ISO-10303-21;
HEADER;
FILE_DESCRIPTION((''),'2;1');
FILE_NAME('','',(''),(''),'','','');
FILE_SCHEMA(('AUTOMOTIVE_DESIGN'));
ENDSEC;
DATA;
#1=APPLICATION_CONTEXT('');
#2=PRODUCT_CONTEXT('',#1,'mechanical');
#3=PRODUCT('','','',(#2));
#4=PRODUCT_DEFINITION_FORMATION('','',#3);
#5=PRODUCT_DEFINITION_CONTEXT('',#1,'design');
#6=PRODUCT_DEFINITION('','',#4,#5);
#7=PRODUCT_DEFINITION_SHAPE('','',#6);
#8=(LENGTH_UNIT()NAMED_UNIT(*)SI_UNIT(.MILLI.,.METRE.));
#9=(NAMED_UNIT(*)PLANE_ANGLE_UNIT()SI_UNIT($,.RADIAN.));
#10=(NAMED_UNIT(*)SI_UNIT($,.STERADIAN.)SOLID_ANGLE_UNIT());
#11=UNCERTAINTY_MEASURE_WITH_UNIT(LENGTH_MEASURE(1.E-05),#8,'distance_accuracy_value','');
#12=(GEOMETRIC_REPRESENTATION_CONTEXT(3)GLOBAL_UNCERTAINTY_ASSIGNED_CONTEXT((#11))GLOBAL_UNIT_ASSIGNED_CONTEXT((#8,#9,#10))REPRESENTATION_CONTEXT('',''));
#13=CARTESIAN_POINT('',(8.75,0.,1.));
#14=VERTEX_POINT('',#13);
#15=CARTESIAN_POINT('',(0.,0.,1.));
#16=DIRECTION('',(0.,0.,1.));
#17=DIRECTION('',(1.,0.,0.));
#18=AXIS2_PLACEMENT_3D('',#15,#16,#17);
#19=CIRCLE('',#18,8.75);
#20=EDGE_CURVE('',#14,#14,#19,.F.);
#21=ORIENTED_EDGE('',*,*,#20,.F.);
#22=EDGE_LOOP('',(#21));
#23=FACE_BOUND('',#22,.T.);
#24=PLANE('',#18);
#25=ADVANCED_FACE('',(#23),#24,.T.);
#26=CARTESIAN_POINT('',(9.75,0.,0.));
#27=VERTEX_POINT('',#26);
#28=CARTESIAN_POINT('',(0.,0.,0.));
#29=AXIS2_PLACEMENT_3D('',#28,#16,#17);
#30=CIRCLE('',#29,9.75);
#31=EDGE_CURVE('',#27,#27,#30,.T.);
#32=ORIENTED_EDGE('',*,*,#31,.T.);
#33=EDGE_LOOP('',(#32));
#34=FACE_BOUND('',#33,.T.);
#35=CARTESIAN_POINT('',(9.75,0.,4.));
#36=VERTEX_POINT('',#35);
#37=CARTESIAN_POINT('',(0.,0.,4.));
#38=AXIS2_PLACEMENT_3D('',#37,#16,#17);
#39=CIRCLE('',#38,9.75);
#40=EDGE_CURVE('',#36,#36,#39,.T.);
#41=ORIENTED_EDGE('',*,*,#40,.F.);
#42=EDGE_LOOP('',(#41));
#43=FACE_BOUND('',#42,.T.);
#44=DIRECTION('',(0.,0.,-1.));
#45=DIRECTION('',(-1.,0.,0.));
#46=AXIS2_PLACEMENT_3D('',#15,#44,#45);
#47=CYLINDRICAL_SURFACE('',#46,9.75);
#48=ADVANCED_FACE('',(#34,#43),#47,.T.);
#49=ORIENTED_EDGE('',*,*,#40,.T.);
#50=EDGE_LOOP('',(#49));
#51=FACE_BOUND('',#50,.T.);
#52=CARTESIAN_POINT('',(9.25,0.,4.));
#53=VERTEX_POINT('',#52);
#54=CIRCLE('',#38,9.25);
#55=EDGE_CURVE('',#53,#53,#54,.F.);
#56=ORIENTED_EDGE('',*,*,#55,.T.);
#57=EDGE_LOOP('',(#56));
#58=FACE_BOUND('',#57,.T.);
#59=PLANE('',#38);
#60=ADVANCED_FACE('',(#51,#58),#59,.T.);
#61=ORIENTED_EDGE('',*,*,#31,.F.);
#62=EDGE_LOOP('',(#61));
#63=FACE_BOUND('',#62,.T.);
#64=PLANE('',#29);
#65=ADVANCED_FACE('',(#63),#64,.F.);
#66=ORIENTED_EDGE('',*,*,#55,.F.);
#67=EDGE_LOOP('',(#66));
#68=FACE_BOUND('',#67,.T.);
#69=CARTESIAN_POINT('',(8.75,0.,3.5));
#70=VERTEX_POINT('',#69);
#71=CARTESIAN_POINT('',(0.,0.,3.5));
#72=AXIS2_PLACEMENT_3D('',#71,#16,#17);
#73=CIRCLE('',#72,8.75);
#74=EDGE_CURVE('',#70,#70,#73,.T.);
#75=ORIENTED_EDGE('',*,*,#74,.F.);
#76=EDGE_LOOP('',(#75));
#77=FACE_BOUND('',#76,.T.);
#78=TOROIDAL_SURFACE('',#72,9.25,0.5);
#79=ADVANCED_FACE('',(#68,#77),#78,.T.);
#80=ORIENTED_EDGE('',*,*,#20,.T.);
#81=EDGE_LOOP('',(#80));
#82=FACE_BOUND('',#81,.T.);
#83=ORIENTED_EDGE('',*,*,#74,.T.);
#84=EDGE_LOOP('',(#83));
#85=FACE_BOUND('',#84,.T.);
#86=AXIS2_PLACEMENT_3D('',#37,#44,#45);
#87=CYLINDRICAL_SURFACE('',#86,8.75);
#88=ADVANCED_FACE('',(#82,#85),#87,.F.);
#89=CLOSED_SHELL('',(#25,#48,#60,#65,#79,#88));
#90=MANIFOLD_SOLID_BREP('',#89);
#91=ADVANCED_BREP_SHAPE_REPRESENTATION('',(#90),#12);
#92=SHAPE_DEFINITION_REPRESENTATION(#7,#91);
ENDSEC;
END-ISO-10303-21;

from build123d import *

# Parameters (mm, degrees)
SKETCH1_R           = 9.75
BOSS_EXTRUDE1_DEPTH = 1
SKETCH2_R           = 9.75
SKETCH2_R_2         = 8.75
BOSS_EXTRUDE2_DEPTH = 3
FILLET1_R           = 0.5


with BuildPart() as part:
    # Sketch1 → Boss-Extrude1 (new body)
    with BuildSketch(Plane.XY):
        Circle(SKETCH1_R)
    extrude(amount=BOSS_EXTRUDE1_DEPTH)

    # Sketch2 → Boss-Extrude2 (add)
    with BuildSketch(Plane.XY.offset(1)):
        Circle(SKETCH2_R)
        Circle(SKETCH2_R_2, mode=Mode.SUBTRACT)
    extrude(amount=BOSS_EXTRUDE2_DEPTH)

    # Fillet1
    fillet1_edges = [part.edges().sort_by_distance(p)[0] for p in [
        (-8.75, 0, 4),
    ]]
    fillet(fillet1_edges, radius=FILLET1_R)


solid = part.part
